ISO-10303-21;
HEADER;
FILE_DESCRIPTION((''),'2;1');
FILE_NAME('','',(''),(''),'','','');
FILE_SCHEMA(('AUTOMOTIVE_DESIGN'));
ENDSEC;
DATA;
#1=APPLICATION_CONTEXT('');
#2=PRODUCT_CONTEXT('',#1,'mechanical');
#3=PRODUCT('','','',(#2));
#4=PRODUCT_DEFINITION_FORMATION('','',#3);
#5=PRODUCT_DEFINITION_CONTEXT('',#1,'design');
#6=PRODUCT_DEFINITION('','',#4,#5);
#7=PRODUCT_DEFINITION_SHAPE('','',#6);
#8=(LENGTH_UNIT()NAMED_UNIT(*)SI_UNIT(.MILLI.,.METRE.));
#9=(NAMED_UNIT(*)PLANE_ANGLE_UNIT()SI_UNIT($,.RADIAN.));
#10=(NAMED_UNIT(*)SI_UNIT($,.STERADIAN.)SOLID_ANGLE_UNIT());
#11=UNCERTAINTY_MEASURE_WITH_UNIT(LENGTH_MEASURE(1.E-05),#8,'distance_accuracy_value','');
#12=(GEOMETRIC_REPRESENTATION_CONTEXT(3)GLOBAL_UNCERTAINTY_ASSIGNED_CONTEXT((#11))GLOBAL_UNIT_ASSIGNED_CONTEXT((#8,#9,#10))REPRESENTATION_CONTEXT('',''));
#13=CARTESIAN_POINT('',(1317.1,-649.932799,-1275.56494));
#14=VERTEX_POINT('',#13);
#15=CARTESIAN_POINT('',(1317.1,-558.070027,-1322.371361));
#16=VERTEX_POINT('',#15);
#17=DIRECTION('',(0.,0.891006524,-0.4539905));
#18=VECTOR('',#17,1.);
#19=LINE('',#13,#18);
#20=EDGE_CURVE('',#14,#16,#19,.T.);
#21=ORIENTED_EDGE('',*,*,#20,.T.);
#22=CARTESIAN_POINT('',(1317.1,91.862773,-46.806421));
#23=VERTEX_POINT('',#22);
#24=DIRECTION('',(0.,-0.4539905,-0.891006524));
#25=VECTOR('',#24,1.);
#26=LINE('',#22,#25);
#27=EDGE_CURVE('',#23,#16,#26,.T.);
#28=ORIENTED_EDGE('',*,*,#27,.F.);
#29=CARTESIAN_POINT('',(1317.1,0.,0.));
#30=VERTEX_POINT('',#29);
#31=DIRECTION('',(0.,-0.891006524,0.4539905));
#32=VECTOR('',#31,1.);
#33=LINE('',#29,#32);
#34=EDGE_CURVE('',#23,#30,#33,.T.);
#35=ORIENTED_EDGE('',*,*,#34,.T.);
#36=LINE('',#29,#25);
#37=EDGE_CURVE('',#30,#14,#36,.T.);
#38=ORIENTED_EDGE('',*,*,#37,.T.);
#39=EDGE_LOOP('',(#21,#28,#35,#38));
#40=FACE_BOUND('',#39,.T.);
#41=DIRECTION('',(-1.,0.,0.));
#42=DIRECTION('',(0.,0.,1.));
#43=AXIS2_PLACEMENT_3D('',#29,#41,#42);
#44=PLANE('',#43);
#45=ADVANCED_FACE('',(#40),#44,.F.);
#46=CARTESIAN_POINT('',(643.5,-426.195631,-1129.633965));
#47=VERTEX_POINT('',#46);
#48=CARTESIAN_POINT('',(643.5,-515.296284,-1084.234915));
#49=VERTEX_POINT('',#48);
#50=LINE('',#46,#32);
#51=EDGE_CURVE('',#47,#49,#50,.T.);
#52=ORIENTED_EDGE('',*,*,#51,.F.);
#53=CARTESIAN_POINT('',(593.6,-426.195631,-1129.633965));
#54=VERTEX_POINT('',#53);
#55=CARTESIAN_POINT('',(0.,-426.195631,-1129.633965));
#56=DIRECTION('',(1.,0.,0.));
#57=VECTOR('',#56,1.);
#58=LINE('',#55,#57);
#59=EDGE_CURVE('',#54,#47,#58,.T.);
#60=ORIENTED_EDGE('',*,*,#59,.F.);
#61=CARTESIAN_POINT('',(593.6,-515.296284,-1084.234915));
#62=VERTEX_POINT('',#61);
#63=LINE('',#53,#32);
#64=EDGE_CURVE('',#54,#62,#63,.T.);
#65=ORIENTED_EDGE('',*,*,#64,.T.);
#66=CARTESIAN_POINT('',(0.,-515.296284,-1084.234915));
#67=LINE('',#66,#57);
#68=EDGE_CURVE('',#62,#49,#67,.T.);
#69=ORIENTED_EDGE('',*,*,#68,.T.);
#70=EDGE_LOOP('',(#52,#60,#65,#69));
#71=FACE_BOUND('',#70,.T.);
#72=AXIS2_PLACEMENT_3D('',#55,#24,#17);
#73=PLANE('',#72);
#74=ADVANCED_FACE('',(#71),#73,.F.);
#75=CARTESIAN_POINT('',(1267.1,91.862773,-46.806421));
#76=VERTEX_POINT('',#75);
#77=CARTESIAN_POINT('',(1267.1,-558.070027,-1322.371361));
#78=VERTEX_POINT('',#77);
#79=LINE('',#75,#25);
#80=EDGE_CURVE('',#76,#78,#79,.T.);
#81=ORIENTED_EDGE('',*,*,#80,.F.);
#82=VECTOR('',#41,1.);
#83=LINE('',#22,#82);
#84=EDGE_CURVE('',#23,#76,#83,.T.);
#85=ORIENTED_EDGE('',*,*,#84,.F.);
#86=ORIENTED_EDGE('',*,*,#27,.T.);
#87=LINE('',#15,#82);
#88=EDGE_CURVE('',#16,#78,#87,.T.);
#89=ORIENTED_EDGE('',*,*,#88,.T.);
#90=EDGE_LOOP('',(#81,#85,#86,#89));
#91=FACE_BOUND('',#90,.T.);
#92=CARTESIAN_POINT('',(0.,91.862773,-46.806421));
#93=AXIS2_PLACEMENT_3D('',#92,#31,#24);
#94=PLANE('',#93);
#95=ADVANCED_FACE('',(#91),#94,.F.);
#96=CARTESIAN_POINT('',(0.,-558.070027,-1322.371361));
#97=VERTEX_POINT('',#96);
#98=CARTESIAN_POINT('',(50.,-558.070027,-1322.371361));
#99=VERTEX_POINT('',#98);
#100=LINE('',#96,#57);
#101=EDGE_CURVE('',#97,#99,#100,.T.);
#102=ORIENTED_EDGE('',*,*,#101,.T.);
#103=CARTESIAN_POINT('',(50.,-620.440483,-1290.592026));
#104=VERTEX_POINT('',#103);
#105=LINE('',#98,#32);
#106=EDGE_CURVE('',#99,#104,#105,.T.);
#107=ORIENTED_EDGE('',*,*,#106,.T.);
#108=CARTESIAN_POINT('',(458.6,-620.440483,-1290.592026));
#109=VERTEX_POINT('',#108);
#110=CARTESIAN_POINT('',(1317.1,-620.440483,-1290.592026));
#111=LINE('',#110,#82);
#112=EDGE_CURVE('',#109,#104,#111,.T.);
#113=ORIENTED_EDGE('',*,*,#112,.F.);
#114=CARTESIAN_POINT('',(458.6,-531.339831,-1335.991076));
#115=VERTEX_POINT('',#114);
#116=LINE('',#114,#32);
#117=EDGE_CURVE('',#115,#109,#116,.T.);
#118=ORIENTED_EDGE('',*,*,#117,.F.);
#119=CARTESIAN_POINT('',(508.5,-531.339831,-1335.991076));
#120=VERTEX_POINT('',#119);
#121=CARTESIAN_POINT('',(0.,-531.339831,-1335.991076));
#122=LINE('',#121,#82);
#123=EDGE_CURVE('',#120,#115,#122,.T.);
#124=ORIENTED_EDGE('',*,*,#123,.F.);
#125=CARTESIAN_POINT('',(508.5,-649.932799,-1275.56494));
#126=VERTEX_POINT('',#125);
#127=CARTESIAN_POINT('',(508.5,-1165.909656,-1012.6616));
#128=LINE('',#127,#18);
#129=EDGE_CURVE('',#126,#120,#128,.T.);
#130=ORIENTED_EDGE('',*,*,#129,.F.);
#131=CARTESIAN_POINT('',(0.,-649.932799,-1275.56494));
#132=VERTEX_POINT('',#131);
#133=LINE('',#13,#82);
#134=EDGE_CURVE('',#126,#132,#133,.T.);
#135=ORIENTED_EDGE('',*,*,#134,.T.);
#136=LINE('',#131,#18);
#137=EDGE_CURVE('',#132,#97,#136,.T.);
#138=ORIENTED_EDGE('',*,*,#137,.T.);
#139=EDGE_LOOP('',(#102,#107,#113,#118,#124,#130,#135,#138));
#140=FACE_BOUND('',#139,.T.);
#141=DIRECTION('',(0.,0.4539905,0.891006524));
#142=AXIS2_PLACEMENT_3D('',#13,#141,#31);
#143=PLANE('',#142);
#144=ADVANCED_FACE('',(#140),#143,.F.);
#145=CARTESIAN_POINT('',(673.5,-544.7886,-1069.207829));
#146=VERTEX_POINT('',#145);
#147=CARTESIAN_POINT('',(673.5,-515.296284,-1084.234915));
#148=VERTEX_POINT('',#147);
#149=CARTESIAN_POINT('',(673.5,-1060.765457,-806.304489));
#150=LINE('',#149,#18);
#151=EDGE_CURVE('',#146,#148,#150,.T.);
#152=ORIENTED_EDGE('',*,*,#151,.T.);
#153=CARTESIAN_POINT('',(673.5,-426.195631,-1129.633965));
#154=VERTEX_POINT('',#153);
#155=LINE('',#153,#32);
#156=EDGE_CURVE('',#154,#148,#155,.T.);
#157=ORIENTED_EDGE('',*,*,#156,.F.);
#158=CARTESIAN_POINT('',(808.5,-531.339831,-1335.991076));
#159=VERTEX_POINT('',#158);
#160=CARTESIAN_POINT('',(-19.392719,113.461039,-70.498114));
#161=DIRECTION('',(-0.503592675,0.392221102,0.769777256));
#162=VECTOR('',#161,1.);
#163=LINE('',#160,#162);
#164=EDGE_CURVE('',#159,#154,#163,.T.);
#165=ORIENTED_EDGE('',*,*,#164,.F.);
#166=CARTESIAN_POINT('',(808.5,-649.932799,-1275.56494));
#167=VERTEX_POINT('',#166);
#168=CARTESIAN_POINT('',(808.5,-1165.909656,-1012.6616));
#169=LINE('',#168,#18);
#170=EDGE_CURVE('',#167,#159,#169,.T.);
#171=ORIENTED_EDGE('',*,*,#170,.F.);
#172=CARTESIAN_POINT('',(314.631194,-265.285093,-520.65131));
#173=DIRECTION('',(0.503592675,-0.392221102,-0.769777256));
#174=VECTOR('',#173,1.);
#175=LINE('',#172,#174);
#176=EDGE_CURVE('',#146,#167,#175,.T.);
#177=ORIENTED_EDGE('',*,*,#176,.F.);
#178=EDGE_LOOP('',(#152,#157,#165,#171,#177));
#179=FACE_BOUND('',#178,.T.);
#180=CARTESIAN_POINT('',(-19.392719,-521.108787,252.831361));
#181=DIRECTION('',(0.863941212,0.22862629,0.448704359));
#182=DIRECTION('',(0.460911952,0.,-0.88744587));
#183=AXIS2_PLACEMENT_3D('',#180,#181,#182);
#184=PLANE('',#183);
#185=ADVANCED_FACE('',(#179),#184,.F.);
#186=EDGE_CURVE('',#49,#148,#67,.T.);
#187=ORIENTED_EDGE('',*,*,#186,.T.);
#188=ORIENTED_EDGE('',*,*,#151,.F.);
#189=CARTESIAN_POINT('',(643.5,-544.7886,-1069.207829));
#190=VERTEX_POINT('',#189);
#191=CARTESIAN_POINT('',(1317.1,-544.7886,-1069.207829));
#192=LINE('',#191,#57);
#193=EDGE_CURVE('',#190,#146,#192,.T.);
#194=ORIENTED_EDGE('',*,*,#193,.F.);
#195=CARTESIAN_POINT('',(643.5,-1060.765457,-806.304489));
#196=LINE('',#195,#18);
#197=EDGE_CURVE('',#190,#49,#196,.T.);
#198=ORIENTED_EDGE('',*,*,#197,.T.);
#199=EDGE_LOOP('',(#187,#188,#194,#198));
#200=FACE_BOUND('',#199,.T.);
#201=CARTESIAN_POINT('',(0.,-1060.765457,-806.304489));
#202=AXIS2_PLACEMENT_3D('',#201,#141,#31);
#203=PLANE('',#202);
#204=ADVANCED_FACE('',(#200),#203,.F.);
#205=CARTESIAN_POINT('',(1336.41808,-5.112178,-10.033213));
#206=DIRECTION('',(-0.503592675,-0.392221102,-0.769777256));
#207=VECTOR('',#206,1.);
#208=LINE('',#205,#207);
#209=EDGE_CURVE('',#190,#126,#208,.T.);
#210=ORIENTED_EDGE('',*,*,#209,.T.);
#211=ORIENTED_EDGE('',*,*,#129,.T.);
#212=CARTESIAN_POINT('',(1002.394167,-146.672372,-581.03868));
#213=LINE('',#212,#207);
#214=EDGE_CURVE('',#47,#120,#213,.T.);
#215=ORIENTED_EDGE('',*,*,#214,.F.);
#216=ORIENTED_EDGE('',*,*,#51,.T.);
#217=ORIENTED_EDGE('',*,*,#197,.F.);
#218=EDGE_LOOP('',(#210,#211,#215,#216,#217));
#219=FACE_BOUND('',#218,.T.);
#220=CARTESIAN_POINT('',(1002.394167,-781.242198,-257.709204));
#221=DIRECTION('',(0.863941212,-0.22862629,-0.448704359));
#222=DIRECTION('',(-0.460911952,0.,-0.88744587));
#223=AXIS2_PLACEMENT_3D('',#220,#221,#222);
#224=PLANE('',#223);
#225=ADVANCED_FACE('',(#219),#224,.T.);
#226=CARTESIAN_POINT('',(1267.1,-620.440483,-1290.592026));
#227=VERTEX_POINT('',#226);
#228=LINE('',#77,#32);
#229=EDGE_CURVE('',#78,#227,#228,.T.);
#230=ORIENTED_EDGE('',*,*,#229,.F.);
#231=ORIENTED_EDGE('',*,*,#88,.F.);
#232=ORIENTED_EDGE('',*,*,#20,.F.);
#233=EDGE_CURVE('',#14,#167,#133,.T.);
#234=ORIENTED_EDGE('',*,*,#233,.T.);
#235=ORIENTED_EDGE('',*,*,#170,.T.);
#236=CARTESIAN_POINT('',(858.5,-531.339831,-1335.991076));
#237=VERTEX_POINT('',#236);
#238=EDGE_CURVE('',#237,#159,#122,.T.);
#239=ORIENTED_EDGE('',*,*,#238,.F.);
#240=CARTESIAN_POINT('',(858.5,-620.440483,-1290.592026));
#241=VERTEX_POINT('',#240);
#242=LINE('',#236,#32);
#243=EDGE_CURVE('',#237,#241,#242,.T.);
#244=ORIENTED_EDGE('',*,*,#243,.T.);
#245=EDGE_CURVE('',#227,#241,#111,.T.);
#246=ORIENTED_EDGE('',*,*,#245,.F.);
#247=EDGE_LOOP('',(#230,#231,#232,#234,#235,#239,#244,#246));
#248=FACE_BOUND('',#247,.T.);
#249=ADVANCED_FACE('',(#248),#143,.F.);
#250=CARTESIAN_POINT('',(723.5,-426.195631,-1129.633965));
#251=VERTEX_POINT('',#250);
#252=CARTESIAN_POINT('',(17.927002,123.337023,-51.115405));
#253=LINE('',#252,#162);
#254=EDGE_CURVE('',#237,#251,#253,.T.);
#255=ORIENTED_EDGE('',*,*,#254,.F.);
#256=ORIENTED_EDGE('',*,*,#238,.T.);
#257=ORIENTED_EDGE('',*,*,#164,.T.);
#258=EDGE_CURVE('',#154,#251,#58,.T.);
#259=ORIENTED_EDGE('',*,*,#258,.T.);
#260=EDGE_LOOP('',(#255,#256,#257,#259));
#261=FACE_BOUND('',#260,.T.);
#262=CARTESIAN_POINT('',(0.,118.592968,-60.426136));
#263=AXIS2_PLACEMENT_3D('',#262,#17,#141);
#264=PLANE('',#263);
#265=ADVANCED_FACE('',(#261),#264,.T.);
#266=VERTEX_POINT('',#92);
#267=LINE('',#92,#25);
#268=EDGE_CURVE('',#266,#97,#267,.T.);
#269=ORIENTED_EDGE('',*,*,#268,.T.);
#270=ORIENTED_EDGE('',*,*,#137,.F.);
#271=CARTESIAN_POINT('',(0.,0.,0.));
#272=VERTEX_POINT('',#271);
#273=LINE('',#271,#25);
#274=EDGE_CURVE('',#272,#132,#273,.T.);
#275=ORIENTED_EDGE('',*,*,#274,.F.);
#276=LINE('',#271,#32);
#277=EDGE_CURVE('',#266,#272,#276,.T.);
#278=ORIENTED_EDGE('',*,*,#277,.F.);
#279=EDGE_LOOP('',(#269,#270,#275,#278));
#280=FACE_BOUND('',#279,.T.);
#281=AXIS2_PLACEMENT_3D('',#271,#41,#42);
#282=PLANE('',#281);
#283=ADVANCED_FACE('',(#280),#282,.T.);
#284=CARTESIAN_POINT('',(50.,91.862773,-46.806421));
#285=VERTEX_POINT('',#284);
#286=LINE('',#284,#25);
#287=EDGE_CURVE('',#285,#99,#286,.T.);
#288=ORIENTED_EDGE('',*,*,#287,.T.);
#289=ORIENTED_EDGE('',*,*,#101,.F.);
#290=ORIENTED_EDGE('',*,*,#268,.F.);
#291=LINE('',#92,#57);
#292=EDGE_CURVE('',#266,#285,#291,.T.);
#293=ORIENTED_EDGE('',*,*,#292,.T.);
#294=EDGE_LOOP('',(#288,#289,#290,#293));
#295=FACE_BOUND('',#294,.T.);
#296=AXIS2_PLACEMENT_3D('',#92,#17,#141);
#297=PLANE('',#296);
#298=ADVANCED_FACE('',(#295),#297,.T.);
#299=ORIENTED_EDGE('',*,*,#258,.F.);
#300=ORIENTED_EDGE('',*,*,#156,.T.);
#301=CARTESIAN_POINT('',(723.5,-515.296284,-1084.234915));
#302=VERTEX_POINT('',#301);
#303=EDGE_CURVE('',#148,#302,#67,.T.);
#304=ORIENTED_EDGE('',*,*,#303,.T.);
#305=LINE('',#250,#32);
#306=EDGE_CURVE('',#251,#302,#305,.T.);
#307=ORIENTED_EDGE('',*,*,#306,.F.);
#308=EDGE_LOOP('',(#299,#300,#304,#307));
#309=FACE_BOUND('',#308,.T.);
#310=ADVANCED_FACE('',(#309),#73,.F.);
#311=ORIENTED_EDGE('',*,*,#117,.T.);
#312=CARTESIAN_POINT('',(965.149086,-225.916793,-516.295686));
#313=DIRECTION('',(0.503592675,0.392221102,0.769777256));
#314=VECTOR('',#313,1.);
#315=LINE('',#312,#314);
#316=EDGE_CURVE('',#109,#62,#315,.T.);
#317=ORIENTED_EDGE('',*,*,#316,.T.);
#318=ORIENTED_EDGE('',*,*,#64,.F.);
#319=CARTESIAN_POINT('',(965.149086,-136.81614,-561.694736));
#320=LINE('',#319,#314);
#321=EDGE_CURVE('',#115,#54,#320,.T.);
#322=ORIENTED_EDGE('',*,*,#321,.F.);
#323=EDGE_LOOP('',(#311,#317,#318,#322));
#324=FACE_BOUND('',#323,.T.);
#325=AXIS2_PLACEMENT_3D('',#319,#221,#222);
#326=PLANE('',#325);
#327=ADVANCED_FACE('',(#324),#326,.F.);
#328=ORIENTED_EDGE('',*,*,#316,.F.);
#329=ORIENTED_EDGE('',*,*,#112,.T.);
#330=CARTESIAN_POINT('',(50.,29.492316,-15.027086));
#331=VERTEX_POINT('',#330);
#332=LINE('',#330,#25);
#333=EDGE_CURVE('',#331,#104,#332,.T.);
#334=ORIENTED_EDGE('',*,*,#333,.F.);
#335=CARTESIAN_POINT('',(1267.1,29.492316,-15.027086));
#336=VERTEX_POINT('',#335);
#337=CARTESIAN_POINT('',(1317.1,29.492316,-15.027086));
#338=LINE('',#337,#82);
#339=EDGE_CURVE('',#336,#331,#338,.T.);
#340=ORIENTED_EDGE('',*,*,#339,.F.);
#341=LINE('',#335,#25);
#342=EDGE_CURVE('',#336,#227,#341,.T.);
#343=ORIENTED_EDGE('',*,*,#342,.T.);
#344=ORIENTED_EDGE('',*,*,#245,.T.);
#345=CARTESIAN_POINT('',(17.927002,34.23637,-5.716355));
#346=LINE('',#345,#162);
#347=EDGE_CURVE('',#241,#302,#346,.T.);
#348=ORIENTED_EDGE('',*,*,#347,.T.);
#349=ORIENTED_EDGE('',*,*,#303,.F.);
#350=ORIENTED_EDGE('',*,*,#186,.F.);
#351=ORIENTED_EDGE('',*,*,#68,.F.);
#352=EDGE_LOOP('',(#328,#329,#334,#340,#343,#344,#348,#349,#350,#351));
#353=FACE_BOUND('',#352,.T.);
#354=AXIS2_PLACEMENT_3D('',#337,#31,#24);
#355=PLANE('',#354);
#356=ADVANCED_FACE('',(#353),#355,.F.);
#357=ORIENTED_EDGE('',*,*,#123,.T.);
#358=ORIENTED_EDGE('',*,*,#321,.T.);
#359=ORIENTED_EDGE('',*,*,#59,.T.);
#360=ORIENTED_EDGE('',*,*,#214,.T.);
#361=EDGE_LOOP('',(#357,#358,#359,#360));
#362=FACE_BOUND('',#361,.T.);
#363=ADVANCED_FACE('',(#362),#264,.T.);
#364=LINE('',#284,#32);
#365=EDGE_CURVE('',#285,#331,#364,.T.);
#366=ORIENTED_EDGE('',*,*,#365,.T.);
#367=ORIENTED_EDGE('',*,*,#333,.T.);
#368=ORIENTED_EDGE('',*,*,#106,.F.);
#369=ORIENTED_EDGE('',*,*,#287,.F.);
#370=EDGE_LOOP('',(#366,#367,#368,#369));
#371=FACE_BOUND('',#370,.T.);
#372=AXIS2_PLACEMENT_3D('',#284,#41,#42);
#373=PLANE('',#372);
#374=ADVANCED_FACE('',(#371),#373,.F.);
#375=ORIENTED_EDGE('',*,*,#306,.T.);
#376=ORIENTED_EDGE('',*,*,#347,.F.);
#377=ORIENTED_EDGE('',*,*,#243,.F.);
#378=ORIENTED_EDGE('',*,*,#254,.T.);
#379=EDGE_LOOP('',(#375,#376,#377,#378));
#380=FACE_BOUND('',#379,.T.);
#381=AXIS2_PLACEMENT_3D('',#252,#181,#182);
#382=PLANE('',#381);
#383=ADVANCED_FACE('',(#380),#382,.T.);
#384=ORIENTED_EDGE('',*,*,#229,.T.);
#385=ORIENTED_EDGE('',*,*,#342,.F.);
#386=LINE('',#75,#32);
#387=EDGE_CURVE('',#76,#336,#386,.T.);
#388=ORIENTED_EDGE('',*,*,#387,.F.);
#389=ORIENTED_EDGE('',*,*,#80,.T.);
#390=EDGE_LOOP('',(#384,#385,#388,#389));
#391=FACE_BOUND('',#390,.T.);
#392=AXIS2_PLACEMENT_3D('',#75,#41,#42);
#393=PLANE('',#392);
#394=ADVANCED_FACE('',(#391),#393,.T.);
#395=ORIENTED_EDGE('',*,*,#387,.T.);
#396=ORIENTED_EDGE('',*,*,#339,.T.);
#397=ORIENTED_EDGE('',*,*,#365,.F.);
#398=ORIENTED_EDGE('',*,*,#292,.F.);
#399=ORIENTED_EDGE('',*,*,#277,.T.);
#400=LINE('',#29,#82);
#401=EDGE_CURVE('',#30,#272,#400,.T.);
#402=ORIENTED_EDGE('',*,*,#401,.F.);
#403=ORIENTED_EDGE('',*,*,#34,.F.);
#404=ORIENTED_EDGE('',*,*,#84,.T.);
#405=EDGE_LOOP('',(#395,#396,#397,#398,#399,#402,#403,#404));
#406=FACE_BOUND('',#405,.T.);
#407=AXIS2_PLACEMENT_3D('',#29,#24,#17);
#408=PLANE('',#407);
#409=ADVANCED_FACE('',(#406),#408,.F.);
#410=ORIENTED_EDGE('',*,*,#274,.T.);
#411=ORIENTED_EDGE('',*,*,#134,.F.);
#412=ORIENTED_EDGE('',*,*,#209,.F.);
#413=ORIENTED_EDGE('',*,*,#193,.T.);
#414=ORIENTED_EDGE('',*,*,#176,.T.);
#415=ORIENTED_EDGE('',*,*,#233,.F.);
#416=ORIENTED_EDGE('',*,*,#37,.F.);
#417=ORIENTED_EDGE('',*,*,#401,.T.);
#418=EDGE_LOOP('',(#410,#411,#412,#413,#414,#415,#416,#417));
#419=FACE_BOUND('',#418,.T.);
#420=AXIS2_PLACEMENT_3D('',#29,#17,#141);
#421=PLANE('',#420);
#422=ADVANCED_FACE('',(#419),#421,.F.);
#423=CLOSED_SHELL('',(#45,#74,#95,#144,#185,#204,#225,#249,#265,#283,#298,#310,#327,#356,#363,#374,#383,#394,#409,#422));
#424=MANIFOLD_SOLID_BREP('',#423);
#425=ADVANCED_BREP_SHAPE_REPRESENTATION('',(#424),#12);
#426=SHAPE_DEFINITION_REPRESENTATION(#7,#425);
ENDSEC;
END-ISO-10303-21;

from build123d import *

# Parameters (mm, degrees)
BOSS_EXTRUDE1_DEPTH = 1317.1
CUT_EXTRUDE3_DEPTH  = 1956.361044318
SKETCH8_W           = 50
SKETCH8_H           = 1431.6
BOSS_EXTRUDE3_DEPTH = 70
BOSS_EXTRUDE4_DEPTH = 100


with BuildPart() as part:
    # Sketch1 → Boss-Extrude1 (new body)
    with BuildSketch(Plane(origin=(0, 0, 0), x_dir=(0, 0, -1), z_dir=(1, 0, 0))):
        Polygon((0, 0), (1275.564940028, -649.932799427), (1290.592025569, -620.440483477), (15.027085541, 29.492315951), align=None)
    extrude(amount=BOSS_EXTRUDE1_DEPTH)

    # Sketch6 → Cut-Extrude3 (cut, through all)
    with BuildSketch(Plane(origin=(0, 29.492315951, -15.027085541), x_dir=(1, 0, 0), z_dir=(0, 0.8910065241883676, -0.45399049973954747))):
        Polygon((808.5, 1431.6), (508.5, 1431.6), (643.5, 1200), (673.5, 1200), align=None)
    extrude(amount=-CUT_EXTRUDE3_DEPTH, mode=Mode.SUBTRACT)

    # Sketch8 → Boss-Extrude3 (add)
    with BuildSketch(Plane(origin=(0, 29.492315951, -15.027085541), x_dir=(1, 0, 0), z_dir=(0, 0.8910065241883676, -0.45399049973954747))):
        with Locations((25, 715.8)):
            Rectangle(SKETCH8_W, SKETCH8_H)
        with Locations((1292.1, 715.8)):
            Rectangle(SKETCH8_W, SKETCH8_H)
    extrude(amount=BOSS_EXTRUDE3_DEPTH)

    # Sketch8<4> → Boss-Extrude4 (add)
    with BuildSketch(Plane(origin=(0, 29.492315951, -15.027085541), x_dir=(1, 0, 0), z_dir=(0, 0.8910065241883676, -0.45399049973954747))):
        Polygon((808.5, 1431.6), (673.5, 1200), (723.5, 1200), (858.5, 1431.6), align=None)
        Polygon((458.6, 1431.6), (593.6, 1200), (643.5, 1200), (508.5, 1431.6), align=None)
    extrude(amount=BOSS_EXTRUDE4_DEPTH)


solid = part.part
